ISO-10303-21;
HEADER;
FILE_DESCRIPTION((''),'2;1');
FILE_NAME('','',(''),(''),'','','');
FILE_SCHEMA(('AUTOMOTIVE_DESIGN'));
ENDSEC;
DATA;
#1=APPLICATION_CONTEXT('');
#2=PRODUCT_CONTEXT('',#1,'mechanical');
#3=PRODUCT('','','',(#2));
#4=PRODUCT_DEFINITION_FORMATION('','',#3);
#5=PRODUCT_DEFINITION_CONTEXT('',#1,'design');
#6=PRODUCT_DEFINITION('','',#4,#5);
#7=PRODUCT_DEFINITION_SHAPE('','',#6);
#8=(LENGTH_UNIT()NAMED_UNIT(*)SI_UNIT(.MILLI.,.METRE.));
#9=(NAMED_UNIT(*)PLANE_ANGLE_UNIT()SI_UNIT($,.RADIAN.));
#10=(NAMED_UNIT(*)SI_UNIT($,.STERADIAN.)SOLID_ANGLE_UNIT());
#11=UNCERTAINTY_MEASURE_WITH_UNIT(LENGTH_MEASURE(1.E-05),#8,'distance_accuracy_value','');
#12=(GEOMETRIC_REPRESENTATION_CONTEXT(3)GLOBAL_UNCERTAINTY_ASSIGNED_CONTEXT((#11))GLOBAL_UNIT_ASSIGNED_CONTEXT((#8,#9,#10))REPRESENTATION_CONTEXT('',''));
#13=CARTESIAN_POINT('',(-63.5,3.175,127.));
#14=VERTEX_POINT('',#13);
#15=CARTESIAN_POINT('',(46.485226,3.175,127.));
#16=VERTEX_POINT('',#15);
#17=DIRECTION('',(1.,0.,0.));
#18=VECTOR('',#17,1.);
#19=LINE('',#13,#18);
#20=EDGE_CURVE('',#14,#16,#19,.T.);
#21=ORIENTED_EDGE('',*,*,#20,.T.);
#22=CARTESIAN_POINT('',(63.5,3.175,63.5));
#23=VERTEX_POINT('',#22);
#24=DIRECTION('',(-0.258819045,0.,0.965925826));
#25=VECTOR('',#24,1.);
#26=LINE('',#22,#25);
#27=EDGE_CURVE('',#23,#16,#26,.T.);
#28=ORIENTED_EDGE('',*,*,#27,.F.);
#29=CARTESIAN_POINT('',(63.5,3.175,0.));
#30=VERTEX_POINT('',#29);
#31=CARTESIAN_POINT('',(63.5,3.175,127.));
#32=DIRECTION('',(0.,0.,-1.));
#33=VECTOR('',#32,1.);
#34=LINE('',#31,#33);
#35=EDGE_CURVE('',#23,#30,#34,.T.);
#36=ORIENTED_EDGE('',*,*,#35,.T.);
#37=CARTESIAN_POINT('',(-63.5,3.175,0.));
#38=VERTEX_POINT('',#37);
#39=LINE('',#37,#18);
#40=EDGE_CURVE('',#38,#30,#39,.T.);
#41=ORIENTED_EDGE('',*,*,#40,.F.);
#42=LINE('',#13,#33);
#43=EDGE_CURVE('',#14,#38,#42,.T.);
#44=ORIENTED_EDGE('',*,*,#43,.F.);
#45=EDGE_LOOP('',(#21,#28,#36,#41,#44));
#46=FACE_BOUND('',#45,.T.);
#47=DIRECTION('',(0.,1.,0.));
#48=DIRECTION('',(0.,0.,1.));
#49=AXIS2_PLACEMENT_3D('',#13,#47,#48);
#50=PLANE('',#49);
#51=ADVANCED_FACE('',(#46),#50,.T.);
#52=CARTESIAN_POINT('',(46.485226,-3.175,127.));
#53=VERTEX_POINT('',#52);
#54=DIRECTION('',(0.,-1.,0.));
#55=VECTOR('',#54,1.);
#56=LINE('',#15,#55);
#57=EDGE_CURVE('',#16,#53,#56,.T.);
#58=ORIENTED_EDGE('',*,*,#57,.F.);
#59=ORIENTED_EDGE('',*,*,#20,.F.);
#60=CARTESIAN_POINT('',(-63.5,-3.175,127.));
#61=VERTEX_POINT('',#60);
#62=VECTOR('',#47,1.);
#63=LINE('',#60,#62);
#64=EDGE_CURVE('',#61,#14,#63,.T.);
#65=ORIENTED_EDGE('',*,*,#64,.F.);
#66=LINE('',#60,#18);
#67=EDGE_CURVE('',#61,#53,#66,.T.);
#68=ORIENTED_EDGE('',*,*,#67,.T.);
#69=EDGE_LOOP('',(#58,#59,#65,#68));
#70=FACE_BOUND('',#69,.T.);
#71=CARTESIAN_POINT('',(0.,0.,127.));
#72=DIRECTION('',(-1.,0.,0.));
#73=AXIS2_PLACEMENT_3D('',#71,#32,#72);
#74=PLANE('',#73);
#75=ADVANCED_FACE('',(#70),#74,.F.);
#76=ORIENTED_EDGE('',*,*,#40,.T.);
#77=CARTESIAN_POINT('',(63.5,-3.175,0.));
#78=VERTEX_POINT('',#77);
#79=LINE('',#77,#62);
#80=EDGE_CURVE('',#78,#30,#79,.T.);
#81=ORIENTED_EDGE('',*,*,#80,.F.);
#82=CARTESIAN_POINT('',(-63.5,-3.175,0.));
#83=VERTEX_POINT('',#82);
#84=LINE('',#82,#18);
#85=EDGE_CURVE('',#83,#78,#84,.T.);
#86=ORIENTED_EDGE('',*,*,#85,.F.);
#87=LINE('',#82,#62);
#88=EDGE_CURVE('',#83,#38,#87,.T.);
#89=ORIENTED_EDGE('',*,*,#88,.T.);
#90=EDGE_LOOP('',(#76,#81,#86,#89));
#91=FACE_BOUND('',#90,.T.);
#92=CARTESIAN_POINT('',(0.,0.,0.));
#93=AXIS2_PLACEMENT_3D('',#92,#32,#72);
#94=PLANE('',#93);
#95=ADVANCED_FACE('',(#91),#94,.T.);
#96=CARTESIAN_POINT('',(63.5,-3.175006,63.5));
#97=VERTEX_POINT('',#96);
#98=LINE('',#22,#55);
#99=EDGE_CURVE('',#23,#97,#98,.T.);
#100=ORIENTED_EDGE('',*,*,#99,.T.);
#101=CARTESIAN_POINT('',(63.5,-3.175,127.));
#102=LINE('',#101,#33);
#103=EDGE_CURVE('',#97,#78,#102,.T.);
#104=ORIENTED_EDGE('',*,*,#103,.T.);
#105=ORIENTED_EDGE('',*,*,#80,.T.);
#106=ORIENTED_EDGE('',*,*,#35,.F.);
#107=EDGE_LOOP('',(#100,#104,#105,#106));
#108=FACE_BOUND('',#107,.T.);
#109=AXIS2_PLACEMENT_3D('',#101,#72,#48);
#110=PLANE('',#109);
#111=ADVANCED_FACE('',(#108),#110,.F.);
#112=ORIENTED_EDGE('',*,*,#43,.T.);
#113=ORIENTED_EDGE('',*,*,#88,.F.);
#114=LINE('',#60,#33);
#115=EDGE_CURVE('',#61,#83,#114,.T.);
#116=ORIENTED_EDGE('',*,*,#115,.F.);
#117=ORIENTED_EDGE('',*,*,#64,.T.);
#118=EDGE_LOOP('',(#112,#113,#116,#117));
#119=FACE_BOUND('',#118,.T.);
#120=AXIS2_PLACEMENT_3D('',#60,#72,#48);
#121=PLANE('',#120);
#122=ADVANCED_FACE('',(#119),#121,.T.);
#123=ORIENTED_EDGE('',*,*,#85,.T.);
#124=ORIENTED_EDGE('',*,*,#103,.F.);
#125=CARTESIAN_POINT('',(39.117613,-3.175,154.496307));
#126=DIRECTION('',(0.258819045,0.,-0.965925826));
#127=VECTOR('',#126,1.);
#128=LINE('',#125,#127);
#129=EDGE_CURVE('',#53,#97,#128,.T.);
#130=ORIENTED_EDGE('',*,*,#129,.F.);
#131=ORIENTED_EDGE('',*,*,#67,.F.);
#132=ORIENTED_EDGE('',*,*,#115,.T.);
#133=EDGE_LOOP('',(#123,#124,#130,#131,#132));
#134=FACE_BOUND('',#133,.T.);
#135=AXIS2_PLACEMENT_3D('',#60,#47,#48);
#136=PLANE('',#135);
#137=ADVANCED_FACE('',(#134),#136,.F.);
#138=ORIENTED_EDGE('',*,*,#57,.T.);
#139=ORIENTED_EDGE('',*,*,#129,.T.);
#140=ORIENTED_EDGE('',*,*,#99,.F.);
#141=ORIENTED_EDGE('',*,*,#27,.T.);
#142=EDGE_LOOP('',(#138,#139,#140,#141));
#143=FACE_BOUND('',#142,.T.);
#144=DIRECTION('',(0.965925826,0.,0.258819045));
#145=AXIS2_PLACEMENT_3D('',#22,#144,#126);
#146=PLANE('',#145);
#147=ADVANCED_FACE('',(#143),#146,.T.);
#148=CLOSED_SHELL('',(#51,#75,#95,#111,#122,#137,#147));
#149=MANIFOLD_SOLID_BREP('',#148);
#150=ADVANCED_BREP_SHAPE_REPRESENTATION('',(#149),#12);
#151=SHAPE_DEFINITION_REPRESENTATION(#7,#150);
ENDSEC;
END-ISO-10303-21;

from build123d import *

# Parameters (mm, degrees)
SKETCH1_W               = 127
SKETCH1_H               = 6.35
BOSS_EXTRUDE1_DEPTH     = 127
CUT_EXTRUDE1_DEPTH      = 1
CUT_EXTRUDE1_DEPTH_BACK = 7.35


with BuildPart() as part:
    # Sketch1 → Boss-Extrude1 (new body)
    with BuildSketch(Plane.XY):
        Rectangle(SKETCH1_W, SKETCH1_H)
    extrude(amount=BOSS_EXTRUDE1_DEPTH)

    # Sketch2 → Cut-Extrude1 (cut, two sides)
    with BuildSketch(Plane.XZ.offset(3.175)) as cut_extrude1_sk:
        Polygon((63.5, 63.5), (46.485226281, 127), (63.5, 127), align=None)
    extrude(amount=CUT_EXTRUDE1_DEPTH, mode=Mode.SUBTRACT)
    extrude(cut_extrude1_sk.sketch, amount=-CUT_EXTRUDE1_DEPTH_BACK, mode=Mode.SUBTRACT)


solid = part.part
